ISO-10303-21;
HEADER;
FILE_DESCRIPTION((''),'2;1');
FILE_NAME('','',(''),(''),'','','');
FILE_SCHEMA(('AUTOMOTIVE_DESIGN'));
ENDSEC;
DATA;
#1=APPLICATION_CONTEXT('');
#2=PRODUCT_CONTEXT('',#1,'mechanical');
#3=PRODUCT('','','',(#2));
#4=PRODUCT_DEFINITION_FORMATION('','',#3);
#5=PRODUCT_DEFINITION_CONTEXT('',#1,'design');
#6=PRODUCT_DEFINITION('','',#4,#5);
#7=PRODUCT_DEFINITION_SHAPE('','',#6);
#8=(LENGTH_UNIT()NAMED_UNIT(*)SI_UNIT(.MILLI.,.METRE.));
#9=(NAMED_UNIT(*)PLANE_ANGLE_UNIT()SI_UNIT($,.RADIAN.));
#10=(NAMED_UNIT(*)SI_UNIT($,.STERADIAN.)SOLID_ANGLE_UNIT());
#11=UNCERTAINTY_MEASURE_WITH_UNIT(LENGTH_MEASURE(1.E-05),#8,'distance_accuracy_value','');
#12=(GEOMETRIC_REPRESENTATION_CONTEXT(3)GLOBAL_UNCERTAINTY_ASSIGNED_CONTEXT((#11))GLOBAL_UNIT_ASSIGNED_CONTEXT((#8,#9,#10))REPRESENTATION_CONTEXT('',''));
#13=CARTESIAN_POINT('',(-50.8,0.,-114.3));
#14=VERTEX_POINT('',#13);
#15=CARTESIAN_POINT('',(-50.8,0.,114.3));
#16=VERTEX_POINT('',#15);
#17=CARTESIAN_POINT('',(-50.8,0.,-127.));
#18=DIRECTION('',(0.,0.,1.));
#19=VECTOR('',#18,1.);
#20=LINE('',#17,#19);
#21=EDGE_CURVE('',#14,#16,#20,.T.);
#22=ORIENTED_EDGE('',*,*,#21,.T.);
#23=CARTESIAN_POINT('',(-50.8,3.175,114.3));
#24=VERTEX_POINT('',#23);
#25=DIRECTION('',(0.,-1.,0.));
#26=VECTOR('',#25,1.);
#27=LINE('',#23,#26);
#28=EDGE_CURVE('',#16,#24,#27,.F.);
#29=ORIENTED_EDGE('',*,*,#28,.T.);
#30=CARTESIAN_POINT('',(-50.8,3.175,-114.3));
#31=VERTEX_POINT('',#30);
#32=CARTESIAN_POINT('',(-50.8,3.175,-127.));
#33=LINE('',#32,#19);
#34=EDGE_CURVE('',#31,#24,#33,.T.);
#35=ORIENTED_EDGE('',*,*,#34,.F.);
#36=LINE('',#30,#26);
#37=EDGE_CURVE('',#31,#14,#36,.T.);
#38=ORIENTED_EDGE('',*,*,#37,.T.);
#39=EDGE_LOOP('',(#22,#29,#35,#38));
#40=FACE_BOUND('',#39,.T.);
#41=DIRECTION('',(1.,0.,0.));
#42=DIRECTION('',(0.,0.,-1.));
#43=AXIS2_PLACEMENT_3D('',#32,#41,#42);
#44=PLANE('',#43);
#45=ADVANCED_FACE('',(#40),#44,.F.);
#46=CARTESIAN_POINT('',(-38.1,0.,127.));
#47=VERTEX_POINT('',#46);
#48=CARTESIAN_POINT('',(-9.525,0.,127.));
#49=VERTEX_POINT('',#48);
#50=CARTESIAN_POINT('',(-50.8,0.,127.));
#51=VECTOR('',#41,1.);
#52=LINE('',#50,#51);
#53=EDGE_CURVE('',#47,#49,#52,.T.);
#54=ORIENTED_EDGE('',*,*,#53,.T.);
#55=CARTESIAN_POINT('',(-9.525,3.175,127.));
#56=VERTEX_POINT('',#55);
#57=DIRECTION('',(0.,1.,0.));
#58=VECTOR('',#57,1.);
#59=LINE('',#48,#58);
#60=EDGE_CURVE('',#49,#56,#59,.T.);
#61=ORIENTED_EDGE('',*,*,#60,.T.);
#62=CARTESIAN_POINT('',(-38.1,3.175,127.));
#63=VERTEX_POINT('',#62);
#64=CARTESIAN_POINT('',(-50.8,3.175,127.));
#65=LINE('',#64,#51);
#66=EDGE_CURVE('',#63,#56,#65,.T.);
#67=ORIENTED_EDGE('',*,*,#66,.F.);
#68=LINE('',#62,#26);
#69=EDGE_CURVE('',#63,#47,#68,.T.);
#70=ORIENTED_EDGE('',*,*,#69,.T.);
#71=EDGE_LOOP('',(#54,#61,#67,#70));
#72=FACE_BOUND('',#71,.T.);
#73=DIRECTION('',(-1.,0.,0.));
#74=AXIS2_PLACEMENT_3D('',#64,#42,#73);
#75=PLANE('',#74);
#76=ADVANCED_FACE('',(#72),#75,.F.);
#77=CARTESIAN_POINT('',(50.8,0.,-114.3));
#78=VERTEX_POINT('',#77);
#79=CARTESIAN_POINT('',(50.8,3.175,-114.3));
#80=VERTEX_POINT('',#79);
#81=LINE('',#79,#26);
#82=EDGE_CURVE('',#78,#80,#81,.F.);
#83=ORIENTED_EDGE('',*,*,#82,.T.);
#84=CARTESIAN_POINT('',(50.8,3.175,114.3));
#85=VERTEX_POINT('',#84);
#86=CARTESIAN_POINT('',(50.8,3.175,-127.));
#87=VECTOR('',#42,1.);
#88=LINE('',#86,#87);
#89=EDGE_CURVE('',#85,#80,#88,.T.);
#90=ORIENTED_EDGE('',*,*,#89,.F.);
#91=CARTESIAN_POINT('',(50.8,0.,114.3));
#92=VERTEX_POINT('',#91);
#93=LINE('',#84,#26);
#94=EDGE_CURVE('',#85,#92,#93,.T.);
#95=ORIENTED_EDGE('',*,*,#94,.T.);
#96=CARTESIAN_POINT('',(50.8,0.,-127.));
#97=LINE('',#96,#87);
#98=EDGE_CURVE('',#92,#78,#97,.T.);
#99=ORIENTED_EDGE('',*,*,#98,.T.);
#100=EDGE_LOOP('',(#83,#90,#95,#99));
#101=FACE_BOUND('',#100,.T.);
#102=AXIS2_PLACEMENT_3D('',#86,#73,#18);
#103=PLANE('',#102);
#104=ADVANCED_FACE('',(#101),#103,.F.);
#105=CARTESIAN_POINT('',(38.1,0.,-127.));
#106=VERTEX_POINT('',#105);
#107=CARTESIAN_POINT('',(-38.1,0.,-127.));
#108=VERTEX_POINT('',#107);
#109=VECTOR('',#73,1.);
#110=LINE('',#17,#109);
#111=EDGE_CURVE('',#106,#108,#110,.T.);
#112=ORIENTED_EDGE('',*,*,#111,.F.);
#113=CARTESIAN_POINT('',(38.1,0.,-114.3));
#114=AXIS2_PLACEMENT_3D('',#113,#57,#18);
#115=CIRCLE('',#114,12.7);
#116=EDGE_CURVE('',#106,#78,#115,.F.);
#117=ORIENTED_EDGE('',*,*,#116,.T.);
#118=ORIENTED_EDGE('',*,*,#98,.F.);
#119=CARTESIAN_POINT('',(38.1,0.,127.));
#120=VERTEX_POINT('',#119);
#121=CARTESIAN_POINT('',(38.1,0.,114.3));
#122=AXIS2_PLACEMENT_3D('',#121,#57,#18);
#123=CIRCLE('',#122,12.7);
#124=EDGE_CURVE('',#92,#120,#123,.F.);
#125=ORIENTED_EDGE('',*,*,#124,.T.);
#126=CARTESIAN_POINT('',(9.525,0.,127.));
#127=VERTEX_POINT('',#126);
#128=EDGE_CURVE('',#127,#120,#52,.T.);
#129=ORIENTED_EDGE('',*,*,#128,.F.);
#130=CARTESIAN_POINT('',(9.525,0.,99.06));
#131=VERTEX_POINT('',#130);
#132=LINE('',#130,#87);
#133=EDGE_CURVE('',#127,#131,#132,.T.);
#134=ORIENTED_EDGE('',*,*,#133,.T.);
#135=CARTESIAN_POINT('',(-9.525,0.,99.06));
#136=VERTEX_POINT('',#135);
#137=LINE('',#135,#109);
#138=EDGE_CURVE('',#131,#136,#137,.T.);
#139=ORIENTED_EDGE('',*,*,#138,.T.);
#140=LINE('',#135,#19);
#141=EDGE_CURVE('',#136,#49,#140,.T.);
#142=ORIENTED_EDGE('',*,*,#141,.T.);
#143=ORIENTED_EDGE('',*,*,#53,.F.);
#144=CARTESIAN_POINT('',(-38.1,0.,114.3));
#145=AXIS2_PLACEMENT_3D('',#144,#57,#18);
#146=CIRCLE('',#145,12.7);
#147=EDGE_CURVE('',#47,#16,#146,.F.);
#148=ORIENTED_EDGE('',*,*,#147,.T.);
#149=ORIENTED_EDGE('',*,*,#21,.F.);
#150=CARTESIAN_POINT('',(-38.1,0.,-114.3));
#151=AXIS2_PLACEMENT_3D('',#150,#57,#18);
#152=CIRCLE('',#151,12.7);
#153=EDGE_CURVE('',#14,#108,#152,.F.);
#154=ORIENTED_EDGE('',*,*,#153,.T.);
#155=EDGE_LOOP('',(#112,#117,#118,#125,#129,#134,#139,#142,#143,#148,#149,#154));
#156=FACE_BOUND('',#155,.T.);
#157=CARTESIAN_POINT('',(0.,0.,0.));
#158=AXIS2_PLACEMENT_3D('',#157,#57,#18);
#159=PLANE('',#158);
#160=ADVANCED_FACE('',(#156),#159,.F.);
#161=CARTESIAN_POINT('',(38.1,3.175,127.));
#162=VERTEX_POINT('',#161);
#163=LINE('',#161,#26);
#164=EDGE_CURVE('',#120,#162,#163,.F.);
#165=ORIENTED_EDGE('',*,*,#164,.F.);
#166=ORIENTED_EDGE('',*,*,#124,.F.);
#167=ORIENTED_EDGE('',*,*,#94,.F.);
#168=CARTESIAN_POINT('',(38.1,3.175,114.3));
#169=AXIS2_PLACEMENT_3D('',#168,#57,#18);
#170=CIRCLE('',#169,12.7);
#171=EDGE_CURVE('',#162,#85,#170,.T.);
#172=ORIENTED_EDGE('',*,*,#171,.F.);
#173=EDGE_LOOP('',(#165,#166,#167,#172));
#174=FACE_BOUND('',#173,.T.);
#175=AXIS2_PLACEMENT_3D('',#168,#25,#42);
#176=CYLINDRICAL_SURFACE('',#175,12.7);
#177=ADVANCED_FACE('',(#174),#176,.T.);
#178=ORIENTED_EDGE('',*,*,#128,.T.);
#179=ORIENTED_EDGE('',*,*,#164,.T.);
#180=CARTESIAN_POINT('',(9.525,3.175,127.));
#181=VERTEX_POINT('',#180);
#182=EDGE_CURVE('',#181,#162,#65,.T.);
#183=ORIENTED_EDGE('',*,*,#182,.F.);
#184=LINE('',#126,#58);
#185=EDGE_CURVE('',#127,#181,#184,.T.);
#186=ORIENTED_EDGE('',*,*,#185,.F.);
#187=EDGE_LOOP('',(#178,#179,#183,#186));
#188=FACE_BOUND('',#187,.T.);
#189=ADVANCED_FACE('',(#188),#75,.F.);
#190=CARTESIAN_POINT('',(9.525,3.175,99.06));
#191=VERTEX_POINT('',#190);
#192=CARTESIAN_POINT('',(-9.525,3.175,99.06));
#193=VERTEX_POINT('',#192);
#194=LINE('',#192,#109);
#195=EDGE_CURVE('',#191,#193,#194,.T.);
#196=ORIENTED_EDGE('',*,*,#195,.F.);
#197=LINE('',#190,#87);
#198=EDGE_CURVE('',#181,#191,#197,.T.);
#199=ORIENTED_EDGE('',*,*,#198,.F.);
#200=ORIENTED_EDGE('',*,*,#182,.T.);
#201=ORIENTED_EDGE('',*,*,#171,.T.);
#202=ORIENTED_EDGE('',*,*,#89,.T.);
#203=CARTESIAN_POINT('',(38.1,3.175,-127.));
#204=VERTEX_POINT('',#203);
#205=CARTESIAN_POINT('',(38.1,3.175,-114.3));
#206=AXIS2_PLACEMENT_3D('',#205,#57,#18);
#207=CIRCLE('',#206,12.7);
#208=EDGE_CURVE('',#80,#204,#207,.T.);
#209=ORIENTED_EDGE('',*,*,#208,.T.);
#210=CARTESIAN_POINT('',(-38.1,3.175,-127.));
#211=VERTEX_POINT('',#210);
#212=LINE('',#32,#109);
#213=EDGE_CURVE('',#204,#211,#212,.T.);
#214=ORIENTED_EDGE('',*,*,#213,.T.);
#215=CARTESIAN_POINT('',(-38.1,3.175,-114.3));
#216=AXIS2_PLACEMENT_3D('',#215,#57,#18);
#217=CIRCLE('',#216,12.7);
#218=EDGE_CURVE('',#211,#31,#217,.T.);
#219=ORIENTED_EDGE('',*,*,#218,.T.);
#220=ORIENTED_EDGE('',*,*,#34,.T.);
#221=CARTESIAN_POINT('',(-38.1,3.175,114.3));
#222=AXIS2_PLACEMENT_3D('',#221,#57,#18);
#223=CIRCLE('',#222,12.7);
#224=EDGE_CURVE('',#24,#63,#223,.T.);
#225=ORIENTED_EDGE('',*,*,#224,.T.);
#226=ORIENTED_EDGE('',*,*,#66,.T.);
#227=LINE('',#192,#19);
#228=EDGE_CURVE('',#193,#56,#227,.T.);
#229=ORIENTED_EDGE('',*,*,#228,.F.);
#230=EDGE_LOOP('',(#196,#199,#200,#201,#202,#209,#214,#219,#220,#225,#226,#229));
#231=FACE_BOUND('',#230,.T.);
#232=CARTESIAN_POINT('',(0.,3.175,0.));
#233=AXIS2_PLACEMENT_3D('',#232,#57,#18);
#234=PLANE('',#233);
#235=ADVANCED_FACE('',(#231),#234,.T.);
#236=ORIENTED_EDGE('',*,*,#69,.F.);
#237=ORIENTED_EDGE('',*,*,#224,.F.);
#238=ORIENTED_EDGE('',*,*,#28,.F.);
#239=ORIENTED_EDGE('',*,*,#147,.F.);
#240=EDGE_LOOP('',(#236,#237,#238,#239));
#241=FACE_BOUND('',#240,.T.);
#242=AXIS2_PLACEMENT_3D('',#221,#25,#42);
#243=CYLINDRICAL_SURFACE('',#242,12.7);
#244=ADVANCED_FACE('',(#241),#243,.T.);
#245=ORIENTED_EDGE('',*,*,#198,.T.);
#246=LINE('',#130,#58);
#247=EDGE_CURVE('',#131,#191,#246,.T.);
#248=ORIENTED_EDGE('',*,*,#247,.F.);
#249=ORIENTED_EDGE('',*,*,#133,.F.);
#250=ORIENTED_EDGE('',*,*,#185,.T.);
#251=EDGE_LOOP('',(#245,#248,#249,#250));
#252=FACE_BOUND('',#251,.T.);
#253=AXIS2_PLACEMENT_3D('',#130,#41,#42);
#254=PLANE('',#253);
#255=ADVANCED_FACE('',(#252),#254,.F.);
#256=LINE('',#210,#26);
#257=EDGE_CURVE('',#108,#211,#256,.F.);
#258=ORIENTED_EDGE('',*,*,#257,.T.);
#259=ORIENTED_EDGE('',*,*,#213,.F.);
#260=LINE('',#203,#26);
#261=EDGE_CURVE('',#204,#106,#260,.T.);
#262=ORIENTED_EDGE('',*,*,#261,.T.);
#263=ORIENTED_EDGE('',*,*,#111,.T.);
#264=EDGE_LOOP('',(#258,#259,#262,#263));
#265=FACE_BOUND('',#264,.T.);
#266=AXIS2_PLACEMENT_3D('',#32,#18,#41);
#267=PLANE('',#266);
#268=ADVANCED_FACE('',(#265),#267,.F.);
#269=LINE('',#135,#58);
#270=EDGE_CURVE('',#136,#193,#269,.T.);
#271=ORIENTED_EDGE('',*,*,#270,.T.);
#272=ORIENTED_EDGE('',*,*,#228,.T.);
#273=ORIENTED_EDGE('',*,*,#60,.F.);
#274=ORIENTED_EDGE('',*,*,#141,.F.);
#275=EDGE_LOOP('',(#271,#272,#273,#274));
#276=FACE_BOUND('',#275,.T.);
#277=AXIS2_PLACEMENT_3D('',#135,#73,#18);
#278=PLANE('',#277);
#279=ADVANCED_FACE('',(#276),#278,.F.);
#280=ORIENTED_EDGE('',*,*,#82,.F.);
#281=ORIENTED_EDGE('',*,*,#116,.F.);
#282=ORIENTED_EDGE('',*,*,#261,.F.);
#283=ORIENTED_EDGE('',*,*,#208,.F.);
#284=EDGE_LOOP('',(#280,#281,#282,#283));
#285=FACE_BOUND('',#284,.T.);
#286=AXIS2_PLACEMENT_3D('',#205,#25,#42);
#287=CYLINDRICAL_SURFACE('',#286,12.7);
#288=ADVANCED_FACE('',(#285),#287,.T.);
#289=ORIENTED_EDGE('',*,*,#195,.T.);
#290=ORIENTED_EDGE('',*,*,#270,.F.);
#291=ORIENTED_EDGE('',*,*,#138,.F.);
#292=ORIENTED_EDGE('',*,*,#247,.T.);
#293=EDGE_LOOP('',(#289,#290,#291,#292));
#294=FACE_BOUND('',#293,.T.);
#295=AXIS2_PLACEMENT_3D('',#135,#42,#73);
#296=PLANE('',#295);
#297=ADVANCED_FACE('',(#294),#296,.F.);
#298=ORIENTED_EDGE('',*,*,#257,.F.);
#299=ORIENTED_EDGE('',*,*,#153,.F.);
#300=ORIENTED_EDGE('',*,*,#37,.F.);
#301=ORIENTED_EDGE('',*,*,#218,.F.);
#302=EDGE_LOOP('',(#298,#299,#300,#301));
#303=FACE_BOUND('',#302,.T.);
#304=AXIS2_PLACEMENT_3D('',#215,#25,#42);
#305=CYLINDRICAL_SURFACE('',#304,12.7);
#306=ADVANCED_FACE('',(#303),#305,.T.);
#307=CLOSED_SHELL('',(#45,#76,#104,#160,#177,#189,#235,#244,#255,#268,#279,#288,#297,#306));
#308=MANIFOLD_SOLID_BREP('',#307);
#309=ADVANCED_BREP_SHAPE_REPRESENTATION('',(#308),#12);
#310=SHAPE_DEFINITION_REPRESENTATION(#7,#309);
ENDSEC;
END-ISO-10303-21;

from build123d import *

# Parameters (mm, degrees)
SKETCH1_W           = 101.6
SKETCH1_H           = 254
BOSS_EXTRUDE1_DEPTH = 3.175
FILLET1_R           = 12.7
SKETCH2_W           = 19.05
SKETCH2_H           = 27.94
CUT_EXTRUDE1_DEPTH  = 137.820030058


with BuildPart() as part:
    # Sketch1 → Boss-Extrude1 (new body)
    with BuildSketch(Plane(origin=(0, 0, 0), x_dir=(1, 0, 0), z_dir=(0, 1, 0))):
        Rectangle(SKETCH1_W, SKETCH1_H)
    extrude(amount=BOSS_EXTRUDE1_DEPTH)

    # Fillet1
    fillet1_edges = [part.edges().sort_by_distance(p)[0] for p in [
        (-50.8, 1.5875, -127),
        (50.8, 1.5875, -127),
        (50.8, 1.5875, 127),
        (-50.8, 1.5875, 127),
    ]]
    fillet(fillet1_edges, radius=FILLET1_R)

    # Sketch2 → Cut-Extrude1 (cut, through all)
    with BuildSketch(Plane(origin=(0, 3.175, 0), x_dir=(1, 0, 0), z_dir=(0, 1, 0))):
        with Locations((0, -113.03)):
            Rectangle(SKETCH2_W, SKETCH2_H)
    extrude(amount=-CUT_EXTRUDE1_DEPTH, mode=Mode.SUBTRACT)


solid = part.part
